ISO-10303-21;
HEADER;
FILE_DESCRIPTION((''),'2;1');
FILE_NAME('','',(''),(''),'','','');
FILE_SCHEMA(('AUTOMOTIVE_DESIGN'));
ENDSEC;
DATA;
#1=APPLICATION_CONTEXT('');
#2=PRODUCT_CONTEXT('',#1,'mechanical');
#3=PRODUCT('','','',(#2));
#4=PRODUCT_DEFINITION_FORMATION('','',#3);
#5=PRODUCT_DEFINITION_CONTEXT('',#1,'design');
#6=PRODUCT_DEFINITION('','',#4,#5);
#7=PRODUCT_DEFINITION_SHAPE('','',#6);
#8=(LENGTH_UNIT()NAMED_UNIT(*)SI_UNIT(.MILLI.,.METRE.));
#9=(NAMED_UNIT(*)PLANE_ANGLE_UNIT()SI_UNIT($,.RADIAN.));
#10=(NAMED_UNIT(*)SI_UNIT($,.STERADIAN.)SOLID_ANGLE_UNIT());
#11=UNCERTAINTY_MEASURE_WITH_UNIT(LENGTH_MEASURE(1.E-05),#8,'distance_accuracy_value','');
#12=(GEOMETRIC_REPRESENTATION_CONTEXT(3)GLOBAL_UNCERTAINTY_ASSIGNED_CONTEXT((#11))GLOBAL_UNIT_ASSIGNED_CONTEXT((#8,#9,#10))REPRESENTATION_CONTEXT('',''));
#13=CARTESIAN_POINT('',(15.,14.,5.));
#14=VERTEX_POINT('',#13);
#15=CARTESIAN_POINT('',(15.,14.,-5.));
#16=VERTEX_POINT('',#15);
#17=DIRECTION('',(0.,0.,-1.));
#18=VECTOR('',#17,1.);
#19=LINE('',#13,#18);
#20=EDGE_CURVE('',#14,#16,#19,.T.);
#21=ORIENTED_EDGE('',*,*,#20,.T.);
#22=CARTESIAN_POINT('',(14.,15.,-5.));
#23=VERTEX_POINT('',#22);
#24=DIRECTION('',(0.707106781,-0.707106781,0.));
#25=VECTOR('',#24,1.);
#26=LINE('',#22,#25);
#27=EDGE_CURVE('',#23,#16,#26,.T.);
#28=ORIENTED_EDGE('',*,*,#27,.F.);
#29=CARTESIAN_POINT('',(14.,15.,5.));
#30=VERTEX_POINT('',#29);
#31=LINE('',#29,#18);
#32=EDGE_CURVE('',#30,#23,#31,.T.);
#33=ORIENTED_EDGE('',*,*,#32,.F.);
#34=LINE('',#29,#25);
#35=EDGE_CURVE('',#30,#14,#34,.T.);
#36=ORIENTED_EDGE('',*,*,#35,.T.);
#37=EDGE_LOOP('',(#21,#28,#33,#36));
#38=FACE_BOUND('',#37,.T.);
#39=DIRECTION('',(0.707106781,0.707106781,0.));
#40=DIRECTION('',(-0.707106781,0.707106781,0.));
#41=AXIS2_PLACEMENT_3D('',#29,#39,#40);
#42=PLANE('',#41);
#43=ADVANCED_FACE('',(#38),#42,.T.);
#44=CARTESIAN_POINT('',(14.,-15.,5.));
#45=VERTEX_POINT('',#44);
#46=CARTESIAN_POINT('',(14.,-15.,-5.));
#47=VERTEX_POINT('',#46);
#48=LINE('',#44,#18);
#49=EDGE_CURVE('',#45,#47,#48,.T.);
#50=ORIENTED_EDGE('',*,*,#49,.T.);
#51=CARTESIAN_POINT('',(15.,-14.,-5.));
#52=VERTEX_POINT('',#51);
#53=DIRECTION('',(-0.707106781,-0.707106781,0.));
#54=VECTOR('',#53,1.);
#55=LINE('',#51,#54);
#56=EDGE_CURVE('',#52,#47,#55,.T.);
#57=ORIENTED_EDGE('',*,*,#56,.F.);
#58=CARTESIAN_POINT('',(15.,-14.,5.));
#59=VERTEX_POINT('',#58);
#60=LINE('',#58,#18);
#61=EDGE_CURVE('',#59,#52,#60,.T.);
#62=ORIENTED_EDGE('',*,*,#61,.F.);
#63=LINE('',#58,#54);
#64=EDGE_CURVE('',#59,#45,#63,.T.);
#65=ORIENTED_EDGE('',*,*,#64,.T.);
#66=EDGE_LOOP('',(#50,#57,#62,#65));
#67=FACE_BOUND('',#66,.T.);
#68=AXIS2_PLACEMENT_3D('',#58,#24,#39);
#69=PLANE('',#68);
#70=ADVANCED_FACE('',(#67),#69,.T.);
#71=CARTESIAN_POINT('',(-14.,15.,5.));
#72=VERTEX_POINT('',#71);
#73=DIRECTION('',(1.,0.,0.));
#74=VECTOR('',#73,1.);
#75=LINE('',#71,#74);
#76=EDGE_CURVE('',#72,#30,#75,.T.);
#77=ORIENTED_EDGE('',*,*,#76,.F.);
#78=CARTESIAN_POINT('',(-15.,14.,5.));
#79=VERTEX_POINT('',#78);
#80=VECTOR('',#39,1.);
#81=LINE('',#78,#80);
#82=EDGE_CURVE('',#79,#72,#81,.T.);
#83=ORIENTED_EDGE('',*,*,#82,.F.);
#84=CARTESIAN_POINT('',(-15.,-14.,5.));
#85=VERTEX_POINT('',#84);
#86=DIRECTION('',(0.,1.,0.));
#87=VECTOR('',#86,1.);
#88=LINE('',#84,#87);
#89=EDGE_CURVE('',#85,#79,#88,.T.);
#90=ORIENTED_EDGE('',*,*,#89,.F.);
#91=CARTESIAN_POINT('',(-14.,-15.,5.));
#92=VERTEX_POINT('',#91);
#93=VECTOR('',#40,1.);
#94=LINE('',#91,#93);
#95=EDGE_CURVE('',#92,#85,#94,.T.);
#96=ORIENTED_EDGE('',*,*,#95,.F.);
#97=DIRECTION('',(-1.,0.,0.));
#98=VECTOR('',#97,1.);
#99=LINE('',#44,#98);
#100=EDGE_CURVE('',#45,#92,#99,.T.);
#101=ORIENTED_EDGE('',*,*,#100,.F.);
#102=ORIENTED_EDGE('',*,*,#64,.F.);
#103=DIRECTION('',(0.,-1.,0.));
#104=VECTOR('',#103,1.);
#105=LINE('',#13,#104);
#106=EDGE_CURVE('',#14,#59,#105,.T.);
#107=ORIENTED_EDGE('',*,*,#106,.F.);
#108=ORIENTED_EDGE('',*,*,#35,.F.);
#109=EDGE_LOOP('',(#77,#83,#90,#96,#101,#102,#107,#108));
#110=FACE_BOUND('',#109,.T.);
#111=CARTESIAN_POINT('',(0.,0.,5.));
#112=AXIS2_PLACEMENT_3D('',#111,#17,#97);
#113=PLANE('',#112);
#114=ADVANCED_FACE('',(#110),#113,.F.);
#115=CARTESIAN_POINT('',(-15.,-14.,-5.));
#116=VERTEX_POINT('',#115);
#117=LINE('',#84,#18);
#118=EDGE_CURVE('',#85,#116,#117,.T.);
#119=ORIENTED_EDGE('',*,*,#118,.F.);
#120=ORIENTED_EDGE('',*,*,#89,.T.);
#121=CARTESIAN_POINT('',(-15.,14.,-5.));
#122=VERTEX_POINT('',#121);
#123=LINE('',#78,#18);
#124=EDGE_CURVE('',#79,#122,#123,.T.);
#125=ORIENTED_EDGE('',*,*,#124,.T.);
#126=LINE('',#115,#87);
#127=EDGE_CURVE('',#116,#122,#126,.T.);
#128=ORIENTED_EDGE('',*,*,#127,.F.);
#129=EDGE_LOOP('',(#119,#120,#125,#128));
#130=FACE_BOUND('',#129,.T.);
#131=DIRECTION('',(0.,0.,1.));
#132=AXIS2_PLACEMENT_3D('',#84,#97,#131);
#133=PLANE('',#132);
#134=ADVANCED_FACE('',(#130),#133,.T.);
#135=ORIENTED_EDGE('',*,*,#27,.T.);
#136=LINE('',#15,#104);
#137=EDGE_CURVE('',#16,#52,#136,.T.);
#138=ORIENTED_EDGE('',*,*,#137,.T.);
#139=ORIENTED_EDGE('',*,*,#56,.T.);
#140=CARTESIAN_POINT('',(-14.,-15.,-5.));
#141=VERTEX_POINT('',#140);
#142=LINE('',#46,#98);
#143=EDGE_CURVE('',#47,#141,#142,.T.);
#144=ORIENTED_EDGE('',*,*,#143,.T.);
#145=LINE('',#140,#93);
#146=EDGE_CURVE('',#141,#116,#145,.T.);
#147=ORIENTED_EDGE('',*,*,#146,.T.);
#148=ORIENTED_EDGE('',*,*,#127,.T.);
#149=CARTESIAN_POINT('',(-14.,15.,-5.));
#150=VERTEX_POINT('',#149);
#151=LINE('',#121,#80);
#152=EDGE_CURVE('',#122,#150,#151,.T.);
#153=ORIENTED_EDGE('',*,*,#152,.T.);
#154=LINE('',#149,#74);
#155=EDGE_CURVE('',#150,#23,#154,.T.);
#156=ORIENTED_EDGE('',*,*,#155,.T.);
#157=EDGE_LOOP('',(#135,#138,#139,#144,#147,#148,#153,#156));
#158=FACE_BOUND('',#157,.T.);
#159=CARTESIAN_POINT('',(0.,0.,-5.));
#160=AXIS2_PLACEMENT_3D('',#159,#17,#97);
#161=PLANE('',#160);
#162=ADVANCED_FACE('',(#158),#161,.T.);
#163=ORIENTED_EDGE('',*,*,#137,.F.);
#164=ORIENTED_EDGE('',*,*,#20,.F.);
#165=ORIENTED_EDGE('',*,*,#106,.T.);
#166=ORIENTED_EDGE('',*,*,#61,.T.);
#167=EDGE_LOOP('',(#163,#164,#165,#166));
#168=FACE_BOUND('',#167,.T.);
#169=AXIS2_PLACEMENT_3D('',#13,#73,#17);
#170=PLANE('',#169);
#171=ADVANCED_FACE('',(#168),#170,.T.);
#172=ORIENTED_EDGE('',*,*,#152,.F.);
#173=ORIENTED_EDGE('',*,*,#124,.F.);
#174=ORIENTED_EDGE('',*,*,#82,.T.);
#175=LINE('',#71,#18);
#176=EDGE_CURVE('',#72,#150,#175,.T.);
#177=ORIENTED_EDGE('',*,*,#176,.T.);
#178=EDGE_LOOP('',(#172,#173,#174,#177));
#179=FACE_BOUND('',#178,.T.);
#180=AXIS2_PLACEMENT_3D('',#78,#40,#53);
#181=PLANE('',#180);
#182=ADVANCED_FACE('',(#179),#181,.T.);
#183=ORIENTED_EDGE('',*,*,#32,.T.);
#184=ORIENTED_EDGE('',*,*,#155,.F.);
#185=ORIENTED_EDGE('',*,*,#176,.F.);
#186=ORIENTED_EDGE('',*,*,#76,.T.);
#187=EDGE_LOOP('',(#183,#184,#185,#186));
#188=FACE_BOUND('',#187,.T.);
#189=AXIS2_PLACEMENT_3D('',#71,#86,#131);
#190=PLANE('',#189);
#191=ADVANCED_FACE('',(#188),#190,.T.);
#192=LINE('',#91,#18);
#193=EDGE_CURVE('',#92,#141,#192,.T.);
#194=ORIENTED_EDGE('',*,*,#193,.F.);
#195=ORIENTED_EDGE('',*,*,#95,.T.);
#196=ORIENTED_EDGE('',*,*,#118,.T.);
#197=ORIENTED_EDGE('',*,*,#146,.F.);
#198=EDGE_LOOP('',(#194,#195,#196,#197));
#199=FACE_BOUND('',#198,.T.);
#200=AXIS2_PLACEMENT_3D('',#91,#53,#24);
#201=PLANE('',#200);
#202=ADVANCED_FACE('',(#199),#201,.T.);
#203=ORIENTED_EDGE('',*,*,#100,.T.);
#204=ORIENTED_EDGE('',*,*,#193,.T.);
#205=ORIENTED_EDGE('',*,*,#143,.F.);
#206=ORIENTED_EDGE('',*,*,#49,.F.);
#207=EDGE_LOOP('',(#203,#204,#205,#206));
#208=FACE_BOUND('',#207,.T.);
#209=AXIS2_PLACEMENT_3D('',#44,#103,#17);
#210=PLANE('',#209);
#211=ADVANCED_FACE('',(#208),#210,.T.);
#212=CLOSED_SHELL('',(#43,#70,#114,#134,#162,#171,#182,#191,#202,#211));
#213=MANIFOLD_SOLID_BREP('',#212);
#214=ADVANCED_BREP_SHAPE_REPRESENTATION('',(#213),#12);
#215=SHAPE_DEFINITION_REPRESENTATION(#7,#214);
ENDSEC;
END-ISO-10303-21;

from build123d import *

# Parameters (mm, degrees)
EXTRUDE_1_DEPTH = 10


with BuildPart() as part:
    # 草图1 → 凸台-拉伸1 (new body)
    with BuildSketch(Plane(origin=(0, 0, -5), x_dir=(-1, 0, 0), z_dir=(0, 0, -1))):
        Polygon((-15, -14.000000005), (-14.000000005, -15), (14.000000002, -15), (15, -14.000000002), (15, 14.000000002), (14.000000002, 15), (-14, 15), (-15, 14), align=None)
    extrude(amount=-EXTRUDE_1_DEPTH)


solid = part.part
